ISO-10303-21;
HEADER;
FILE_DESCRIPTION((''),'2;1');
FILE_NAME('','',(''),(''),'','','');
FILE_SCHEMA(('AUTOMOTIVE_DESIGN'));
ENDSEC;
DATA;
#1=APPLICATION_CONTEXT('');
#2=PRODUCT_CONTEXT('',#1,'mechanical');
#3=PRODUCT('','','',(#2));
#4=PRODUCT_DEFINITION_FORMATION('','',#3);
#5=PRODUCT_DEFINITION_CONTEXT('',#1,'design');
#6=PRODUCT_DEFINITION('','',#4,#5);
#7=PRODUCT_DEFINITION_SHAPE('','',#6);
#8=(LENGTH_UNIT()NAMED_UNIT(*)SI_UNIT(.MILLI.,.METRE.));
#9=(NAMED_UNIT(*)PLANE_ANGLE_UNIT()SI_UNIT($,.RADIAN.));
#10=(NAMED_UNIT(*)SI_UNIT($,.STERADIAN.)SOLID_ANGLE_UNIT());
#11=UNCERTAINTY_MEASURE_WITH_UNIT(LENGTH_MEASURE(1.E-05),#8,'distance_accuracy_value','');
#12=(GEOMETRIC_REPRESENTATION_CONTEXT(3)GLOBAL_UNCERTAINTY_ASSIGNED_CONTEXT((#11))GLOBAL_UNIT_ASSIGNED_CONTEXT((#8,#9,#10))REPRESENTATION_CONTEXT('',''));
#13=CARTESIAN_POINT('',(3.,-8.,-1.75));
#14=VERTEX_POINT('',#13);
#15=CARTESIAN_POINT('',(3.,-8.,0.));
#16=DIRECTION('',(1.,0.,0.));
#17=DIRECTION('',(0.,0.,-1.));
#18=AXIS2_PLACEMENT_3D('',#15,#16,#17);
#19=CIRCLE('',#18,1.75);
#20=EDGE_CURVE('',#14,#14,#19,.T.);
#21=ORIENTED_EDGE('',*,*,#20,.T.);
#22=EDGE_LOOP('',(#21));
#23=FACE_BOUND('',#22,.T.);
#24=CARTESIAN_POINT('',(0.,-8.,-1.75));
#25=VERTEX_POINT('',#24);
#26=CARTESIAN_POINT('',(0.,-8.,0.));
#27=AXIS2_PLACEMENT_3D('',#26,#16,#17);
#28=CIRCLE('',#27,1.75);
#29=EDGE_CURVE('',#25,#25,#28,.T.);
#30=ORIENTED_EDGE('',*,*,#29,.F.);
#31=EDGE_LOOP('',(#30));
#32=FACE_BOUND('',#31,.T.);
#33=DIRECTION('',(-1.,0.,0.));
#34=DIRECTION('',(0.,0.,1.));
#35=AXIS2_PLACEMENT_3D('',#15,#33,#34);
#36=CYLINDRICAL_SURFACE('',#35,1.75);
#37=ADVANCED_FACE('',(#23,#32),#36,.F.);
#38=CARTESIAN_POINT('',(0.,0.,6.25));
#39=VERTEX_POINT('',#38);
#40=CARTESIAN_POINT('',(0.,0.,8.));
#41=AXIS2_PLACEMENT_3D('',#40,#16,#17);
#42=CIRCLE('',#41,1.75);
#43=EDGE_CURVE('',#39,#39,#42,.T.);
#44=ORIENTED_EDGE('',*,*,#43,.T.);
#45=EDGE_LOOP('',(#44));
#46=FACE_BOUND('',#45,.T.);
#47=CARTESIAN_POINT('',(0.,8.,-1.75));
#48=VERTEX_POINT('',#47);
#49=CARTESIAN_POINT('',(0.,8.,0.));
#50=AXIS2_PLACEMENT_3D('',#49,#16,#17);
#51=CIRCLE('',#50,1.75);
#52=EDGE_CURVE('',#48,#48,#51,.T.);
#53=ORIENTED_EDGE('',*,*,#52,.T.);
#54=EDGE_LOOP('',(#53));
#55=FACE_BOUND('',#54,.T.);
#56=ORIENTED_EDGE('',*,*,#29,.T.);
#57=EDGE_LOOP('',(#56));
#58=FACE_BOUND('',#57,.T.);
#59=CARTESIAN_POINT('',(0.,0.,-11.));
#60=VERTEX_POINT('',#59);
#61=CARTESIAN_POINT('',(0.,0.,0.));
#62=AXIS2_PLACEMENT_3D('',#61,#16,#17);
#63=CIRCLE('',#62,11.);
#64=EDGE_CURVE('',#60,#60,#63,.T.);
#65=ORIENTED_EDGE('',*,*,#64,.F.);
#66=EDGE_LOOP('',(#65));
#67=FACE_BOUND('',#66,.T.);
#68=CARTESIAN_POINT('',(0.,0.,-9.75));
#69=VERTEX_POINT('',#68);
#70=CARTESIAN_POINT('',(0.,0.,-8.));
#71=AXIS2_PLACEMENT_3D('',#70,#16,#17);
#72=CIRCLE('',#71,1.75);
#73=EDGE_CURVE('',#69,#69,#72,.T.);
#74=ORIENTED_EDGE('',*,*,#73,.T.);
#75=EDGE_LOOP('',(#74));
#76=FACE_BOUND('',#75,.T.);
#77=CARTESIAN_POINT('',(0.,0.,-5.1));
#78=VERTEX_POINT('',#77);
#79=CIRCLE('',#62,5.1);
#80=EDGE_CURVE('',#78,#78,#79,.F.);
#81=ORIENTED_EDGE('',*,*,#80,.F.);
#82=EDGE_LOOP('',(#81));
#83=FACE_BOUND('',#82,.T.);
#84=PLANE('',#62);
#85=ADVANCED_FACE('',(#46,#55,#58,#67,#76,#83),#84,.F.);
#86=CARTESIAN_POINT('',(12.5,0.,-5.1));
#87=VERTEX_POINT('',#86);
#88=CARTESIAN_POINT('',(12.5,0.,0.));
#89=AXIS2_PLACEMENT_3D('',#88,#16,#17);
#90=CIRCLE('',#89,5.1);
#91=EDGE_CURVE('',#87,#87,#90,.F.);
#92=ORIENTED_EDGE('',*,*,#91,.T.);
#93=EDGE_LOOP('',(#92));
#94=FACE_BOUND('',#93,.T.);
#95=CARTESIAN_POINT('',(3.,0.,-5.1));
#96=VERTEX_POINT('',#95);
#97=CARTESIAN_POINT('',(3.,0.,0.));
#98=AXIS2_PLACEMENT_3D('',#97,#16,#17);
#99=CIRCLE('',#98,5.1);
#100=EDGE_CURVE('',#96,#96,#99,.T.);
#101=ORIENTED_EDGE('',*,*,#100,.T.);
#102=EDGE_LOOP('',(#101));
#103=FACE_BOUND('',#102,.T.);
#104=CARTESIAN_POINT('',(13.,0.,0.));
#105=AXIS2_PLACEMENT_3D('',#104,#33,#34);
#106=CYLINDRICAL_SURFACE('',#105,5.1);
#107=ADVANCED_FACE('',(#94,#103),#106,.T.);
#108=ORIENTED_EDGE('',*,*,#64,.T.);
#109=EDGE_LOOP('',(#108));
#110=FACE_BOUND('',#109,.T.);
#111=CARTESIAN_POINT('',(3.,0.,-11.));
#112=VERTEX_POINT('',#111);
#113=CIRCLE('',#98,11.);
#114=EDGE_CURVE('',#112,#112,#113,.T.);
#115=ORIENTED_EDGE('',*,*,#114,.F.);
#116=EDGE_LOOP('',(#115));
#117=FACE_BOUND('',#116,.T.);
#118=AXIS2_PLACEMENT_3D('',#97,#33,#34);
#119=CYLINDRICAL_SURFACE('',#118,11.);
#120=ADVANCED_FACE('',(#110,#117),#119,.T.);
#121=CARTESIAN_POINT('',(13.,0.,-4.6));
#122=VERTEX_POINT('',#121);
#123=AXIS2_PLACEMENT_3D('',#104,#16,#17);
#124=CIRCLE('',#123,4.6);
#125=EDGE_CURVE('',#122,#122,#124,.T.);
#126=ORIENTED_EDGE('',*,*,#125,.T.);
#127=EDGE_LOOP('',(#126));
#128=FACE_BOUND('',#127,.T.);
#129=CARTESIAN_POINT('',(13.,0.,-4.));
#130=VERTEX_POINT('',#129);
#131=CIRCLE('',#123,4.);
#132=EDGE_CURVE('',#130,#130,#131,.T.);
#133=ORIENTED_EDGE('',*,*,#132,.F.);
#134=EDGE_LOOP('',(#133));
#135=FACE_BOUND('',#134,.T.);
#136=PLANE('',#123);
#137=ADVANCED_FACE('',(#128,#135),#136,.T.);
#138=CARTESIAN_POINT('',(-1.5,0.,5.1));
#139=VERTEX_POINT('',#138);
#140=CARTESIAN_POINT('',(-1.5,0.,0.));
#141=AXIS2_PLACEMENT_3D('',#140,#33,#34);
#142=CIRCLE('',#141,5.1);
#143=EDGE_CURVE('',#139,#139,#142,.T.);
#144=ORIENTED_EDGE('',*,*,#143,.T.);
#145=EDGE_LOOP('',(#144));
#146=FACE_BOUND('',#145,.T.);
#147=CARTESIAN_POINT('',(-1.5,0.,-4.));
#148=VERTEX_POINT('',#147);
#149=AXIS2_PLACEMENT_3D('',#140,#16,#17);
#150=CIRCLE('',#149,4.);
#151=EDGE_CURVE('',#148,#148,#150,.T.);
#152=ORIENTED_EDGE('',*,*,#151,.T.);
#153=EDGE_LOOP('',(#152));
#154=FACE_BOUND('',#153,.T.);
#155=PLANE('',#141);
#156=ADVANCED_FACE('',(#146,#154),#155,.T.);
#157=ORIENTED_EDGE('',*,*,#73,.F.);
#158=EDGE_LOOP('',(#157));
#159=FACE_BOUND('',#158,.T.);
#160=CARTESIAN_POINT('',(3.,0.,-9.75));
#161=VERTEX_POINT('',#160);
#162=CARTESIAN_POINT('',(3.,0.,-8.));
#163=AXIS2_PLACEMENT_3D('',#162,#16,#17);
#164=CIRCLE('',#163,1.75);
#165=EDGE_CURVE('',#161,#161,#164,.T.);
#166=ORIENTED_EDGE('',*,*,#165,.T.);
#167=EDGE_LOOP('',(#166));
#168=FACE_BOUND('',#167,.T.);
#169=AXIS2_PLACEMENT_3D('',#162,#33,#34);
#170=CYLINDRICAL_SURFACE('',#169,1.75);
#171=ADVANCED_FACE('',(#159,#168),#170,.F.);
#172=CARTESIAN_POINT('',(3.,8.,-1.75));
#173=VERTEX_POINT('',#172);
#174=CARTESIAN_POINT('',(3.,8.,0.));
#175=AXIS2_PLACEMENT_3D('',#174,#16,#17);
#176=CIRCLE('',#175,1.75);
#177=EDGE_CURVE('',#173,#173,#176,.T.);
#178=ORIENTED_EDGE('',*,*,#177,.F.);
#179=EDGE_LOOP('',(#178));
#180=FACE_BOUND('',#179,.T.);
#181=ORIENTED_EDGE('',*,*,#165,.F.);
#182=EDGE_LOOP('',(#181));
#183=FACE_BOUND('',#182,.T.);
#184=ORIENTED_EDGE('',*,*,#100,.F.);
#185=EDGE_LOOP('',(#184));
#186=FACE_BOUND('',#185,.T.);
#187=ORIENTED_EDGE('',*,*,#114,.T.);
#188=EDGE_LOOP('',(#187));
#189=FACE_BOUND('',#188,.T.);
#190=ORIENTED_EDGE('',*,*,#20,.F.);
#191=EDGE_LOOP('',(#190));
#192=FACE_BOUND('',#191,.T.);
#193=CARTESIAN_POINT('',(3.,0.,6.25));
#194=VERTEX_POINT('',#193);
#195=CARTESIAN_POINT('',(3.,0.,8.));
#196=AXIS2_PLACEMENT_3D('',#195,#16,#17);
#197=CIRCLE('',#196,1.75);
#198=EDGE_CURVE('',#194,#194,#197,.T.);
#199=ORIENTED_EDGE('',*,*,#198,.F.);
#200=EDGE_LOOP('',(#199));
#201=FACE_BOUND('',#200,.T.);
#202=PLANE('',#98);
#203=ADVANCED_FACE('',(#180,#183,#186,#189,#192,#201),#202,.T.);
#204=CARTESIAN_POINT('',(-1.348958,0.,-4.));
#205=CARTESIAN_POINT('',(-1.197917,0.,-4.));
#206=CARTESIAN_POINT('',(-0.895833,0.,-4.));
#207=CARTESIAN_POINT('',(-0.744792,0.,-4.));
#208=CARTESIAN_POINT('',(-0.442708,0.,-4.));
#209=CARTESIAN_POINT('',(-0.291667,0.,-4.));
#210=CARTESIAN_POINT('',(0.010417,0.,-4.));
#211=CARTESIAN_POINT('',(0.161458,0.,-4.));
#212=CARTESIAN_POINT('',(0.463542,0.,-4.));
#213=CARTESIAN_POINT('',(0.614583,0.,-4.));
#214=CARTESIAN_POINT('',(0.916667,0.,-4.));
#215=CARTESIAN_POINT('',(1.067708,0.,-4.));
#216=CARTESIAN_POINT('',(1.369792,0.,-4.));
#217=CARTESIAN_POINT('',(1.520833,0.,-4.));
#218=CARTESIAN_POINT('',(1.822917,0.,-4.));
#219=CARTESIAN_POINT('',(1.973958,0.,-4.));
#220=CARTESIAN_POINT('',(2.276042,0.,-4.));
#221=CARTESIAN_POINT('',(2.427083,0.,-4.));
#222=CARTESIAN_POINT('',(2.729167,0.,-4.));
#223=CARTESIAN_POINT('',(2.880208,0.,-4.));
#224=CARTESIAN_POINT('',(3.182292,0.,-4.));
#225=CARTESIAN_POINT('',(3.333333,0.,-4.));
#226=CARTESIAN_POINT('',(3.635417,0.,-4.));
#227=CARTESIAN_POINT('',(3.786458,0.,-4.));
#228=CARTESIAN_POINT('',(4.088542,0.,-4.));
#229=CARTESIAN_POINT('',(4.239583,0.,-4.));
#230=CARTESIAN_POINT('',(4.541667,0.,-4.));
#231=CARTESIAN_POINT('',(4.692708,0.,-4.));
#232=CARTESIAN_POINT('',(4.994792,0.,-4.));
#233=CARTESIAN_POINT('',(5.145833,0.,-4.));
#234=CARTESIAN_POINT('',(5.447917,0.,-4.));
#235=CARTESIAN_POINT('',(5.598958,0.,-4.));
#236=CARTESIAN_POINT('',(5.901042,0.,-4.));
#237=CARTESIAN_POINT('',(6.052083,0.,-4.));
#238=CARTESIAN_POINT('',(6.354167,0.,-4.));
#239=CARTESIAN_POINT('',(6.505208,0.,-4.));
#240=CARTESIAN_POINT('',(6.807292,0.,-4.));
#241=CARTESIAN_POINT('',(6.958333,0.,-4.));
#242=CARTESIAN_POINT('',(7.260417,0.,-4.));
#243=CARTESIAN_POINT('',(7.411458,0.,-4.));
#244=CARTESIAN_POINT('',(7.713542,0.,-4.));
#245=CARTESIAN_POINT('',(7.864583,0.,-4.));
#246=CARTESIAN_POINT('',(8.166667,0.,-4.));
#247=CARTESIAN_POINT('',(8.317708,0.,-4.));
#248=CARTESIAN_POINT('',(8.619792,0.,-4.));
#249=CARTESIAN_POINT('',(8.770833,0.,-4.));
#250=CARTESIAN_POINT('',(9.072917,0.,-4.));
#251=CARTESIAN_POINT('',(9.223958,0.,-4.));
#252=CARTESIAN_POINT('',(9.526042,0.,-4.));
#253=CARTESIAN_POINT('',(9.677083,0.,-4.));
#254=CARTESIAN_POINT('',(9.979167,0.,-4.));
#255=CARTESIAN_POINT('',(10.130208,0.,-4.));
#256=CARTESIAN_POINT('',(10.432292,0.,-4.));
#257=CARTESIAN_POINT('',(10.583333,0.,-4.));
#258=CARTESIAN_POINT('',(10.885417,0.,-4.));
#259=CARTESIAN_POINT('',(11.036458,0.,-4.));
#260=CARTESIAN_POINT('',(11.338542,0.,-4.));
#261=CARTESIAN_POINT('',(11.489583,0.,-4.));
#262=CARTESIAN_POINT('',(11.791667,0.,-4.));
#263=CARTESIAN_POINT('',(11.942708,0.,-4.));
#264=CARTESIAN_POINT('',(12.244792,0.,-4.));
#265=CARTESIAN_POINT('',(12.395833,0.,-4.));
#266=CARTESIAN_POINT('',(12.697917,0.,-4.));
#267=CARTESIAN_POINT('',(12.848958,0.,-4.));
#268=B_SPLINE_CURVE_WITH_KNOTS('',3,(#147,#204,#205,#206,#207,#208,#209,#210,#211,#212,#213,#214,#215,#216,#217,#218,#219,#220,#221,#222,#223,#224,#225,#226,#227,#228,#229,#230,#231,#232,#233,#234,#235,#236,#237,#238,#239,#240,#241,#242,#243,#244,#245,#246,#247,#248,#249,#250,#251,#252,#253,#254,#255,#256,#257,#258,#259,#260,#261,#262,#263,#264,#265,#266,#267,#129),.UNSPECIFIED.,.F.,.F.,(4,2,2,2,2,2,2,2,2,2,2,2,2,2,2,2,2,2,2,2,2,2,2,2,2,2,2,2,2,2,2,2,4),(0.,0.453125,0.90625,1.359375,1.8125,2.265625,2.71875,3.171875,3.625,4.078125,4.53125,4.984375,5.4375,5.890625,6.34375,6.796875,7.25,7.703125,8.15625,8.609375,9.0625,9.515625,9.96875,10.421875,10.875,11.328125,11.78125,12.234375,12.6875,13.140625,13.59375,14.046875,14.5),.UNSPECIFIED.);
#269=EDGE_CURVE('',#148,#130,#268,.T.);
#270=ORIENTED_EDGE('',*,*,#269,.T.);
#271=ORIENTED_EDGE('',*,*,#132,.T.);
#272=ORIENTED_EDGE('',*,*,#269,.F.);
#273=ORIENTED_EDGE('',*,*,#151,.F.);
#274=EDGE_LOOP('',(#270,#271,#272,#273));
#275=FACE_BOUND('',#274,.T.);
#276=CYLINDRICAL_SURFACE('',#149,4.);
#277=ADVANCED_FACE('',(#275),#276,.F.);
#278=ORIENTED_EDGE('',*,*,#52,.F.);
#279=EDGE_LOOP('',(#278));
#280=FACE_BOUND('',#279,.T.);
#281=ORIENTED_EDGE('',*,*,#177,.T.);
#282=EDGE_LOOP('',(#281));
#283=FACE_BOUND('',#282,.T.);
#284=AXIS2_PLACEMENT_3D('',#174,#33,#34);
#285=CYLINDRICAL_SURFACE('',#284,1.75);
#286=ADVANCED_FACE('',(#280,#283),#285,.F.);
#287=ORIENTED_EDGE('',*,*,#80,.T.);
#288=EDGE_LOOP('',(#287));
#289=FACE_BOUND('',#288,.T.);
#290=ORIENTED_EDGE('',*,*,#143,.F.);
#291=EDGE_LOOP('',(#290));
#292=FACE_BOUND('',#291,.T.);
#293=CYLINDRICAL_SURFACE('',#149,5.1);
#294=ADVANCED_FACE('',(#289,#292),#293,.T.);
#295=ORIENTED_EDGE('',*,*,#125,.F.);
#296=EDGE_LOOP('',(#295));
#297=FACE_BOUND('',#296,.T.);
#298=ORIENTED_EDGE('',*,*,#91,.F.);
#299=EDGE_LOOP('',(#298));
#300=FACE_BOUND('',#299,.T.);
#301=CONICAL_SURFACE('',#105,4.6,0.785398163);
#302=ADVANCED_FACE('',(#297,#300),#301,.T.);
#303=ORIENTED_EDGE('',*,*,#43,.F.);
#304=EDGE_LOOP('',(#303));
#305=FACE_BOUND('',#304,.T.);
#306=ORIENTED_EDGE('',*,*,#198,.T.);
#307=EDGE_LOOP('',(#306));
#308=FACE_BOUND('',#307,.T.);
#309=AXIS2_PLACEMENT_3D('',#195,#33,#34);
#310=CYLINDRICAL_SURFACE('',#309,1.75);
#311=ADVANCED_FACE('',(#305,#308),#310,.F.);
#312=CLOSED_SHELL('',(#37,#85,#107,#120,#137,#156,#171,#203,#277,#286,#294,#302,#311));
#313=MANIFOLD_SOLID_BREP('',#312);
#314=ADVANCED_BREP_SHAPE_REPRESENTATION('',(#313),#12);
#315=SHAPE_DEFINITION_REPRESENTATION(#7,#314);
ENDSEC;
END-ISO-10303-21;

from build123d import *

# Parameters (mm, degrees)
CROQUIS1_R              = 11
CROQUIS1_R_2            = 1.75
SALIENTE_EXTRUIR1_DEPTH = 3
CROQUIS2_R              = 5.1
SALIENTE_EXTRUIR2_DEPTH = 10
CHAFL_N1_SIZE           = 0.5
SALIENTE_EXTRUIR3_START = 1.5
CROQUIS3_R              = 5.1
SALIENTE_EXTRUIR3_DEPTH = 1.5
CROQUIS4_R              = 4
CORTAR_EXTRUIR1_DEPTH   = 22.266170318


with BuildPart() as part:
    # Croquis1 → Saliente-Extruir1 (new body)
    with BuildSketch(Plane(origin=(0, 0, 0), x_dir=(0, 0, -1), z_dir=(1, 0, 0))):
        Circle(CROQUIS1_R)
        with Locations((0, 8)):
            Circle(CROQUIS1_R_2, mode=Mode.SUBTRACT)
        with Locations((8, 0)):
            Circle(CROQUIS1_R_2, mode=Mode.SUBTRACT)
        with Locations((0, -8)):
            Circle(CROQUIS1_R_2, mode=Mode.SUBTRACT)
        with Locations((-8, 0)):
            Circle(CROQUIS1_R_2, mode=Mode.SUBTRACT)
    extrude(amount=SALIENTE_EXTRUIR1_DEPTH)

    # Croquis2 → Saliente-Extruir2 (add)
    with BuildSketch(Plane(origin=(3, 0, 0), x_dir=(0, 0, -1), z_dir=(1, 0, 0))):
        Circle(CROQUIS2_R)
    extrude(amount=SALIENTE_EXTRUIR2_DEPTH)

    # Chaflán1
    chafl_n1_edges = [part.edges().sort_by_distance(p)[0] for p in [
        (13, 0, 5.1),
    ]]
    chamfer(chafl_n1_edges, length=CHAFL_N1_SIZE)

    # Croquis3 → Saliente-Extruir3 (add)
    with BuildSketch(Plane.ZY.offset(SALIENTE_EXTRUIR3_START)):
        with Locations(Location((0, 0, 0), (0, 0, 180))):
            Circle(CROQUIS3_R)
    extrude(amount=-SALIENTE_EXTRUIR3_DEPTH)

    # Croquis4 → Cortar-Extruir1 (cut, through all)
    with BuildSketch(Plane(origin=(13, 0, 0), x_dir=(0, 0, -1), z_dir=(1, 0, 0))):
        Circle(CROQUIS4_R)
    extrude(amount=-CORTAR_EXTRUIR1_DEPTH, mode=Mode.SUBTRACT)


solid = part.part
